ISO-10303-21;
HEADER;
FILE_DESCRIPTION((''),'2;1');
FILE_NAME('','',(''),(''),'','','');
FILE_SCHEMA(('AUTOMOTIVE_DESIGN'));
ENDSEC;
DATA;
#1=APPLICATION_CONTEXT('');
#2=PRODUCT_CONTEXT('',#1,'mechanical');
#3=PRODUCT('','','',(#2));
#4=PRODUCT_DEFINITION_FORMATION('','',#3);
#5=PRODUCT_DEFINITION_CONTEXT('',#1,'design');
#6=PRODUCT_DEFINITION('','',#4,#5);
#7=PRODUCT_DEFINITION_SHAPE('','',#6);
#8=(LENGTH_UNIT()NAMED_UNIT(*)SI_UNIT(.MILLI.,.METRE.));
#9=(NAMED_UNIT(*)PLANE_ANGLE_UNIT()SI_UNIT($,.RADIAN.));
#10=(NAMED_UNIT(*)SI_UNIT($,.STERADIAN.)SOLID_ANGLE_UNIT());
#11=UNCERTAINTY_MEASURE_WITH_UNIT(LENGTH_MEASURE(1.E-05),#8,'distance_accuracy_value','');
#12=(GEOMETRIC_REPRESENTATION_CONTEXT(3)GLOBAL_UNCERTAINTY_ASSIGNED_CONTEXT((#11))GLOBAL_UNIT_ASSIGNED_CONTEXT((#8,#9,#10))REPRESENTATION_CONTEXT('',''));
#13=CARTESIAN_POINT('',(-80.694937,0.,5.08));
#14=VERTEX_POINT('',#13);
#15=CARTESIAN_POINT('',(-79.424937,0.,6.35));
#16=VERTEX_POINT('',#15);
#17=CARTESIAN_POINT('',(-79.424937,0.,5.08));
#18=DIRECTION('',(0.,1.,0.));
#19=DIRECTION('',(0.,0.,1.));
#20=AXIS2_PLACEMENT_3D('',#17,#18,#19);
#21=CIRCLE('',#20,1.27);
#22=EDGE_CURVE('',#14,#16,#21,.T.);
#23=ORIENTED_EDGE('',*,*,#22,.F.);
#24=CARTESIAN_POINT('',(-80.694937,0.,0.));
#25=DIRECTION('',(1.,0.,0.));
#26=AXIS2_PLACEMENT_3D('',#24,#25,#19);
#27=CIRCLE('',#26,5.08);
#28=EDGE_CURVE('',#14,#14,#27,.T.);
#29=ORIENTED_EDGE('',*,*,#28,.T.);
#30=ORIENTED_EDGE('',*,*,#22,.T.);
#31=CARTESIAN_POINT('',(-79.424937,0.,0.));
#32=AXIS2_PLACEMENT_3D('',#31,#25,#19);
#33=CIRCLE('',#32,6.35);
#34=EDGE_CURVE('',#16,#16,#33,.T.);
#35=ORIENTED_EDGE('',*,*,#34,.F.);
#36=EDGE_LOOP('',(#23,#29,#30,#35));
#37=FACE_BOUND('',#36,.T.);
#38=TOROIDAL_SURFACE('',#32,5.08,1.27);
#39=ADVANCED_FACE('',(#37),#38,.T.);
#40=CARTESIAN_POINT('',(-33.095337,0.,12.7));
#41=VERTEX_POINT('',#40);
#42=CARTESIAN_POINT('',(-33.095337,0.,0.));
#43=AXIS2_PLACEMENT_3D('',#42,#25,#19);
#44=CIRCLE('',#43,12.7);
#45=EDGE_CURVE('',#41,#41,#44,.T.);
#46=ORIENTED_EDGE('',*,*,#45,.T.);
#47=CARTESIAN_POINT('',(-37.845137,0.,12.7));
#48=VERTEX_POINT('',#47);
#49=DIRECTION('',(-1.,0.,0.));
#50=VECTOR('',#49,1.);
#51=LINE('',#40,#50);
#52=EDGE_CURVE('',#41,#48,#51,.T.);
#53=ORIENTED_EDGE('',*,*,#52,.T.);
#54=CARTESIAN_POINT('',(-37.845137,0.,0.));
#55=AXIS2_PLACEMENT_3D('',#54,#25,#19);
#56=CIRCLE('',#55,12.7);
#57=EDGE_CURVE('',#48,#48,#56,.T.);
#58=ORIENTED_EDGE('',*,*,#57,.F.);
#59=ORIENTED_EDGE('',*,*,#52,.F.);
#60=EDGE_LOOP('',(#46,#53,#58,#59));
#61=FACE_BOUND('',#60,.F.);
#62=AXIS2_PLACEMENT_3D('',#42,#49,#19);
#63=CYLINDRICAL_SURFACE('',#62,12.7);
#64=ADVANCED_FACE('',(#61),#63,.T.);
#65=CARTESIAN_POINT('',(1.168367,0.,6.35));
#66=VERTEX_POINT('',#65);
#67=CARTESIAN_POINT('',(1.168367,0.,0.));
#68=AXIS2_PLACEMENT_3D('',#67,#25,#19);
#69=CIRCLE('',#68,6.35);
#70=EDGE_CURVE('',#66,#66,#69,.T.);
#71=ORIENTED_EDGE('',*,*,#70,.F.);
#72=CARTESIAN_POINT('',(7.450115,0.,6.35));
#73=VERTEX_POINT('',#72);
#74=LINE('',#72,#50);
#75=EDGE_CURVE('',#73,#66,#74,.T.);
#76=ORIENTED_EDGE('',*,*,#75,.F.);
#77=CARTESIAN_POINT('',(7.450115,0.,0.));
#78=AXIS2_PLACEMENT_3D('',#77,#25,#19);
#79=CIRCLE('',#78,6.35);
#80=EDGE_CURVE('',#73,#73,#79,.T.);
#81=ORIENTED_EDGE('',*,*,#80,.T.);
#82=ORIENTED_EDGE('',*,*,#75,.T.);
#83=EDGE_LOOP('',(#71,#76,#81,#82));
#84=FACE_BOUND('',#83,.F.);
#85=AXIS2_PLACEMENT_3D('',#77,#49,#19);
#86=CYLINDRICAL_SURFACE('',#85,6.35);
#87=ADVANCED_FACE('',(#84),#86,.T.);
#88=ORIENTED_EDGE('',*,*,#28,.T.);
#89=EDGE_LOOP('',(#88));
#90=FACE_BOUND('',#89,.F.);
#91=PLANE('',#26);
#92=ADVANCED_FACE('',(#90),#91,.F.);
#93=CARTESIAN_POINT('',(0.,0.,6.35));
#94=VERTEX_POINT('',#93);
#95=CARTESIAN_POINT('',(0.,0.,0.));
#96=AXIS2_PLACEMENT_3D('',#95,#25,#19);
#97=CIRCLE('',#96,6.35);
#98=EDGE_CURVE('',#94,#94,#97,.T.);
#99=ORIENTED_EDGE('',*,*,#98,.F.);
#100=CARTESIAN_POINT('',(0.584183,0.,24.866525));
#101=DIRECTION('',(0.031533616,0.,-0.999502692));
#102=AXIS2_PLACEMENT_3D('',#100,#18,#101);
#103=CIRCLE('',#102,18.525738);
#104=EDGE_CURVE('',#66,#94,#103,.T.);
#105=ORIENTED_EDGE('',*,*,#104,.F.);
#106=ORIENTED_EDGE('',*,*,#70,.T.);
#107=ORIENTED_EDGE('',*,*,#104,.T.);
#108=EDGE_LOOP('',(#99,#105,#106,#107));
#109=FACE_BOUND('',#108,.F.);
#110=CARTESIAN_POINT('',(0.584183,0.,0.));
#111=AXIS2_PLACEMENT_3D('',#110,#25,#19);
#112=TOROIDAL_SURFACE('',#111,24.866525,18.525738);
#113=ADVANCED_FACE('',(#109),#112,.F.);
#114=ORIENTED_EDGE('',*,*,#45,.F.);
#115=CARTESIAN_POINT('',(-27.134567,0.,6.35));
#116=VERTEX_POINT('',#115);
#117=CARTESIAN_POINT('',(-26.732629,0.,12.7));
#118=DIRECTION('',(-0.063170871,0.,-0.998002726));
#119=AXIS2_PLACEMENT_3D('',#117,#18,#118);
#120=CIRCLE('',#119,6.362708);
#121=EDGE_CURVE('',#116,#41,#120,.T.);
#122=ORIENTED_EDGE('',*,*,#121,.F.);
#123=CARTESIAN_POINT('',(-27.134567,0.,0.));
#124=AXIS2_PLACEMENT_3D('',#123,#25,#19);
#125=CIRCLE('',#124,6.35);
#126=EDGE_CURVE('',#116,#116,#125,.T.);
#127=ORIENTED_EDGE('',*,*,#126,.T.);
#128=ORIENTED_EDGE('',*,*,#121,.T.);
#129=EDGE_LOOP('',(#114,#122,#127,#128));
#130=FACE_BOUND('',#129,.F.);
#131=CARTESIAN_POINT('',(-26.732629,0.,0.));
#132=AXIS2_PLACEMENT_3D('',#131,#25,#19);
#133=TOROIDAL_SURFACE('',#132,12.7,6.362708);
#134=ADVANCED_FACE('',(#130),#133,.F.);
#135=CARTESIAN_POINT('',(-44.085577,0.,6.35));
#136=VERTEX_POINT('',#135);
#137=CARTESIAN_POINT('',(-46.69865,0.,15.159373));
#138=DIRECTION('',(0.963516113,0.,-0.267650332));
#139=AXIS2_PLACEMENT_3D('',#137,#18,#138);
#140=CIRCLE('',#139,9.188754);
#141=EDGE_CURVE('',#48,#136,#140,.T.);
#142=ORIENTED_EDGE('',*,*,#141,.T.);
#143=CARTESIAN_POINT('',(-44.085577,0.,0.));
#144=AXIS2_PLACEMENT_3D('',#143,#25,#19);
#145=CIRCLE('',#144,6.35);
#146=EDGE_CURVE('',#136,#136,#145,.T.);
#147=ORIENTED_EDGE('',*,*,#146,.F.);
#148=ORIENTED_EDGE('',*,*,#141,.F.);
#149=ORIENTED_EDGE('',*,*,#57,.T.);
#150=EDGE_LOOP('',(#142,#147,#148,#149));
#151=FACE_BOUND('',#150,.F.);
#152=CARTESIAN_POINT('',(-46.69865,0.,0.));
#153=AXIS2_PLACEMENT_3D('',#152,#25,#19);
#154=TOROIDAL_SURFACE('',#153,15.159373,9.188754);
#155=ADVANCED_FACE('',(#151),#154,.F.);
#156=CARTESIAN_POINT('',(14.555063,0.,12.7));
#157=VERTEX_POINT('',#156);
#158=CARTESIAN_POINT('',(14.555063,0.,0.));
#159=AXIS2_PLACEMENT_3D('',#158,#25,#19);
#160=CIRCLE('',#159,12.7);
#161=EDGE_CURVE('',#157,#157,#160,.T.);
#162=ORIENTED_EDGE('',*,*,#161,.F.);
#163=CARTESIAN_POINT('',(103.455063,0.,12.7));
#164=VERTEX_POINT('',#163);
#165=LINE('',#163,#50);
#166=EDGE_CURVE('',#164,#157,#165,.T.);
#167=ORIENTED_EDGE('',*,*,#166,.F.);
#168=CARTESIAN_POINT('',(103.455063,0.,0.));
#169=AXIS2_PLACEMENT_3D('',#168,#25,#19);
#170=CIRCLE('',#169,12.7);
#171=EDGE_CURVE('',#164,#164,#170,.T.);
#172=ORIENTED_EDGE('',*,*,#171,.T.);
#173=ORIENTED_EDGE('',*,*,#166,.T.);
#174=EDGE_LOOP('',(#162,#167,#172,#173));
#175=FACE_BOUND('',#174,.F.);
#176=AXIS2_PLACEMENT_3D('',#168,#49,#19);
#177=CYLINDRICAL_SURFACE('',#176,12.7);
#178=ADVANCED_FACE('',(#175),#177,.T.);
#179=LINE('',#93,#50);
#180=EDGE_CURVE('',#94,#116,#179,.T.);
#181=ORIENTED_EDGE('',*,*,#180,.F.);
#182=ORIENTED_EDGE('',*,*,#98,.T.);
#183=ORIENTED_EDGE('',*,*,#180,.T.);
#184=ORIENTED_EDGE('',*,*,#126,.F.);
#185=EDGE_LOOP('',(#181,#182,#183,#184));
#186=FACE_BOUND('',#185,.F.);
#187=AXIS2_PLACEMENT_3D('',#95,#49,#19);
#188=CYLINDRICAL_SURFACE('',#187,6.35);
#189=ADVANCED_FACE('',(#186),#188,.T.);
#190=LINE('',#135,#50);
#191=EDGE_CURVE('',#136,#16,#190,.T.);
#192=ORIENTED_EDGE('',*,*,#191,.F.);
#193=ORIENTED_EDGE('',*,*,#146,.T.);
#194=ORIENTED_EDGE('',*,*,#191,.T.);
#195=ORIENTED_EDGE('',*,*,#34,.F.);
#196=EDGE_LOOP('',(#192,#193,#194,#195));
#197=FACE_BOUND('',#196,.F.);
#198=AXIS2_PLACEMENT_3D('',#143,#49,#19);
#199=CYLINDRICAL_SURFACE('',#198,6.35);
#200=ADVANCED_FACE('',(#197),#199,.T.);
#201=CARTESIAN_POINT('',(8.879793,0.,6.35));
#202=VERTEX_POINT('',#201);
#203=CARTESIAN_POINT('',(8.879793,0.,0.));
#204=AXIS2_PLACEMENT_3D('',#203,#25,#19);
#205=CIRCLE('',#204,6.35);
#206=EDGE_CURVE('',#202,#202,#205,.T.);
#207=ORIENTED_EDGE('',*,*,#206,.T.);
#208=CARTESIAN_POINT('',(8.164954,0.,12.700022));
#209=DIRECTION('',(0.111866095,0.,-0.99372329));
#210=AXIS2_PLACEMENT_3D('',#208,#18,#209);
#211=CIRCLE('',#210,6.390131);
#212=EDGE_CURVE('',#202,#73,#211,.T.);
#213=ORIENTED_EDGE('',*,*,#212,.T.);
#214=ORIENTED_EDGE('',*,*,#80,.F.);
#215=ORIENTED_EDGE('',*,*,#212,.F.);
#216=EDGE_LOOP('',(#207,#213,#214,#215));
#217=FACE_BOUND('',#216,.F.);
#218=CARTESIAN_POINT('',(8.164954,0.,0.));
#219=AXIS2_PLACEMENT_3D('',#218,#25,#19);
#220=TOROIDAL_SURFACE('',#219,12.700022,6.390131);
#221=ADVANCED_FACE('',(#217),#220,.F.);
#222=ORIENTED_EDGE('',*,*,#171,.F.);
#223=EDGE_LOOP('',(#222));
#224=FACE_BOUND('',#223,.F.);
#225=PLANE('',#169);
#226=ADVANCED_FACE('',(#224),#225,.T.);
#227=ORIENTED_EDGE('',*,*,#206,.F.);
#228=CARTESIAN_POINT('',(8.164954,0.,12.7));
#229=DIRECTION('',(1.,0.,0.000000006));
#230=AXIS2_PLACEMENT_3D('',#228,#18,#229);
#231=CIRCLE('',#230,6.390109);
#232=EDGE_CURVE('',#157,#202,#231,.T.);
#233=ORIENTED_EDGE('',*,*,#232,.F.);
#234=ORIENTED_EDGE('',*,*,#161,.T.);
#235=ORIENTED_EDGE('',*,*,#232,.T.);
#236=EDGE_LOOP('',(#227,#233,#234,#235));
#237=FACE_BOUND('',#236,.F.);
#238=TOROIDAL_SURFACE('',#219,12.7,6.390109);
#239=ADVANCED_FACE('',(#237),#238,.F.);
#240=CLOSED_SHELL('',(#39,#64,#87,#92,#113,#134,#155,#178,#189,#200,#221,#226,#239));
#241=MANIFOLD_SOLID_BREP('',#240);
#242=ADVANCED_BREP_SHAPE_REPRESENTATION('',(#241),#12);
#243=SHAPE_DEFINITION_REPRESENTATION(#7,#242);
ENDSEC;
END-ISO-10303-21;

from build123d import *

# Parameters (mm, degrees)
F2_R = 1.27


with BuildPart() as f1:
    # F0 (on Front) → F1 (revolve)
    with BuildSketch(Plane.XZ):
        with BuildLine():
            Line((-80.694937, 6.35), (-80.694937, 0))
            Line((-80.694937, 0), (103.455063, 0))
            Line((103.455063, 0), (103.455063, 12.7))
            Line((103.455063, 12.7), (20.905063, 12.7))
            Line((20.905063, 12.7), (14.555063, 12.7))
            ThreePointArc((14.555063, 12.7), (12.929479, 8.441738), (8.879793, 6.35))
            ThreePointArc((8.879793, 6.35), (8.164954, 6.309891), (7.450115, 6.35))
            Line((7.450115, 6.35), (1.168367, 6.35))
            ThreePointArc((1.168367, 6.35), (0.584183, 6.340787), (0, 6.35))
            Line((0, 6.35), (-27.134567, 6.35))
            ThreePointArc((-27.134567, 6.35), (-31.371674, 8.345311), (-33.095337, 12.7))
            Line((-33.095337, 12.7), (-37.845137, 12.7))
            ThreePointArc((-37.845137, 12.7), (-40.144928, 8.718726), (-44.085577, 6.35))
            Line((-44.085577, 6.35), (-80.694937, 6.35))
        make_face()
    revolve(axis=Axis((11.380063, 0, 0), (1, 0, 0)))

    # F2
    f2_edges = [f1.edges().sort_by_distance(p)[0] for p in [
        (-80.694937, 0, -6.35),
    ]]
    fillet(f2_edges, radius=F2_R)


solid = f1.part
